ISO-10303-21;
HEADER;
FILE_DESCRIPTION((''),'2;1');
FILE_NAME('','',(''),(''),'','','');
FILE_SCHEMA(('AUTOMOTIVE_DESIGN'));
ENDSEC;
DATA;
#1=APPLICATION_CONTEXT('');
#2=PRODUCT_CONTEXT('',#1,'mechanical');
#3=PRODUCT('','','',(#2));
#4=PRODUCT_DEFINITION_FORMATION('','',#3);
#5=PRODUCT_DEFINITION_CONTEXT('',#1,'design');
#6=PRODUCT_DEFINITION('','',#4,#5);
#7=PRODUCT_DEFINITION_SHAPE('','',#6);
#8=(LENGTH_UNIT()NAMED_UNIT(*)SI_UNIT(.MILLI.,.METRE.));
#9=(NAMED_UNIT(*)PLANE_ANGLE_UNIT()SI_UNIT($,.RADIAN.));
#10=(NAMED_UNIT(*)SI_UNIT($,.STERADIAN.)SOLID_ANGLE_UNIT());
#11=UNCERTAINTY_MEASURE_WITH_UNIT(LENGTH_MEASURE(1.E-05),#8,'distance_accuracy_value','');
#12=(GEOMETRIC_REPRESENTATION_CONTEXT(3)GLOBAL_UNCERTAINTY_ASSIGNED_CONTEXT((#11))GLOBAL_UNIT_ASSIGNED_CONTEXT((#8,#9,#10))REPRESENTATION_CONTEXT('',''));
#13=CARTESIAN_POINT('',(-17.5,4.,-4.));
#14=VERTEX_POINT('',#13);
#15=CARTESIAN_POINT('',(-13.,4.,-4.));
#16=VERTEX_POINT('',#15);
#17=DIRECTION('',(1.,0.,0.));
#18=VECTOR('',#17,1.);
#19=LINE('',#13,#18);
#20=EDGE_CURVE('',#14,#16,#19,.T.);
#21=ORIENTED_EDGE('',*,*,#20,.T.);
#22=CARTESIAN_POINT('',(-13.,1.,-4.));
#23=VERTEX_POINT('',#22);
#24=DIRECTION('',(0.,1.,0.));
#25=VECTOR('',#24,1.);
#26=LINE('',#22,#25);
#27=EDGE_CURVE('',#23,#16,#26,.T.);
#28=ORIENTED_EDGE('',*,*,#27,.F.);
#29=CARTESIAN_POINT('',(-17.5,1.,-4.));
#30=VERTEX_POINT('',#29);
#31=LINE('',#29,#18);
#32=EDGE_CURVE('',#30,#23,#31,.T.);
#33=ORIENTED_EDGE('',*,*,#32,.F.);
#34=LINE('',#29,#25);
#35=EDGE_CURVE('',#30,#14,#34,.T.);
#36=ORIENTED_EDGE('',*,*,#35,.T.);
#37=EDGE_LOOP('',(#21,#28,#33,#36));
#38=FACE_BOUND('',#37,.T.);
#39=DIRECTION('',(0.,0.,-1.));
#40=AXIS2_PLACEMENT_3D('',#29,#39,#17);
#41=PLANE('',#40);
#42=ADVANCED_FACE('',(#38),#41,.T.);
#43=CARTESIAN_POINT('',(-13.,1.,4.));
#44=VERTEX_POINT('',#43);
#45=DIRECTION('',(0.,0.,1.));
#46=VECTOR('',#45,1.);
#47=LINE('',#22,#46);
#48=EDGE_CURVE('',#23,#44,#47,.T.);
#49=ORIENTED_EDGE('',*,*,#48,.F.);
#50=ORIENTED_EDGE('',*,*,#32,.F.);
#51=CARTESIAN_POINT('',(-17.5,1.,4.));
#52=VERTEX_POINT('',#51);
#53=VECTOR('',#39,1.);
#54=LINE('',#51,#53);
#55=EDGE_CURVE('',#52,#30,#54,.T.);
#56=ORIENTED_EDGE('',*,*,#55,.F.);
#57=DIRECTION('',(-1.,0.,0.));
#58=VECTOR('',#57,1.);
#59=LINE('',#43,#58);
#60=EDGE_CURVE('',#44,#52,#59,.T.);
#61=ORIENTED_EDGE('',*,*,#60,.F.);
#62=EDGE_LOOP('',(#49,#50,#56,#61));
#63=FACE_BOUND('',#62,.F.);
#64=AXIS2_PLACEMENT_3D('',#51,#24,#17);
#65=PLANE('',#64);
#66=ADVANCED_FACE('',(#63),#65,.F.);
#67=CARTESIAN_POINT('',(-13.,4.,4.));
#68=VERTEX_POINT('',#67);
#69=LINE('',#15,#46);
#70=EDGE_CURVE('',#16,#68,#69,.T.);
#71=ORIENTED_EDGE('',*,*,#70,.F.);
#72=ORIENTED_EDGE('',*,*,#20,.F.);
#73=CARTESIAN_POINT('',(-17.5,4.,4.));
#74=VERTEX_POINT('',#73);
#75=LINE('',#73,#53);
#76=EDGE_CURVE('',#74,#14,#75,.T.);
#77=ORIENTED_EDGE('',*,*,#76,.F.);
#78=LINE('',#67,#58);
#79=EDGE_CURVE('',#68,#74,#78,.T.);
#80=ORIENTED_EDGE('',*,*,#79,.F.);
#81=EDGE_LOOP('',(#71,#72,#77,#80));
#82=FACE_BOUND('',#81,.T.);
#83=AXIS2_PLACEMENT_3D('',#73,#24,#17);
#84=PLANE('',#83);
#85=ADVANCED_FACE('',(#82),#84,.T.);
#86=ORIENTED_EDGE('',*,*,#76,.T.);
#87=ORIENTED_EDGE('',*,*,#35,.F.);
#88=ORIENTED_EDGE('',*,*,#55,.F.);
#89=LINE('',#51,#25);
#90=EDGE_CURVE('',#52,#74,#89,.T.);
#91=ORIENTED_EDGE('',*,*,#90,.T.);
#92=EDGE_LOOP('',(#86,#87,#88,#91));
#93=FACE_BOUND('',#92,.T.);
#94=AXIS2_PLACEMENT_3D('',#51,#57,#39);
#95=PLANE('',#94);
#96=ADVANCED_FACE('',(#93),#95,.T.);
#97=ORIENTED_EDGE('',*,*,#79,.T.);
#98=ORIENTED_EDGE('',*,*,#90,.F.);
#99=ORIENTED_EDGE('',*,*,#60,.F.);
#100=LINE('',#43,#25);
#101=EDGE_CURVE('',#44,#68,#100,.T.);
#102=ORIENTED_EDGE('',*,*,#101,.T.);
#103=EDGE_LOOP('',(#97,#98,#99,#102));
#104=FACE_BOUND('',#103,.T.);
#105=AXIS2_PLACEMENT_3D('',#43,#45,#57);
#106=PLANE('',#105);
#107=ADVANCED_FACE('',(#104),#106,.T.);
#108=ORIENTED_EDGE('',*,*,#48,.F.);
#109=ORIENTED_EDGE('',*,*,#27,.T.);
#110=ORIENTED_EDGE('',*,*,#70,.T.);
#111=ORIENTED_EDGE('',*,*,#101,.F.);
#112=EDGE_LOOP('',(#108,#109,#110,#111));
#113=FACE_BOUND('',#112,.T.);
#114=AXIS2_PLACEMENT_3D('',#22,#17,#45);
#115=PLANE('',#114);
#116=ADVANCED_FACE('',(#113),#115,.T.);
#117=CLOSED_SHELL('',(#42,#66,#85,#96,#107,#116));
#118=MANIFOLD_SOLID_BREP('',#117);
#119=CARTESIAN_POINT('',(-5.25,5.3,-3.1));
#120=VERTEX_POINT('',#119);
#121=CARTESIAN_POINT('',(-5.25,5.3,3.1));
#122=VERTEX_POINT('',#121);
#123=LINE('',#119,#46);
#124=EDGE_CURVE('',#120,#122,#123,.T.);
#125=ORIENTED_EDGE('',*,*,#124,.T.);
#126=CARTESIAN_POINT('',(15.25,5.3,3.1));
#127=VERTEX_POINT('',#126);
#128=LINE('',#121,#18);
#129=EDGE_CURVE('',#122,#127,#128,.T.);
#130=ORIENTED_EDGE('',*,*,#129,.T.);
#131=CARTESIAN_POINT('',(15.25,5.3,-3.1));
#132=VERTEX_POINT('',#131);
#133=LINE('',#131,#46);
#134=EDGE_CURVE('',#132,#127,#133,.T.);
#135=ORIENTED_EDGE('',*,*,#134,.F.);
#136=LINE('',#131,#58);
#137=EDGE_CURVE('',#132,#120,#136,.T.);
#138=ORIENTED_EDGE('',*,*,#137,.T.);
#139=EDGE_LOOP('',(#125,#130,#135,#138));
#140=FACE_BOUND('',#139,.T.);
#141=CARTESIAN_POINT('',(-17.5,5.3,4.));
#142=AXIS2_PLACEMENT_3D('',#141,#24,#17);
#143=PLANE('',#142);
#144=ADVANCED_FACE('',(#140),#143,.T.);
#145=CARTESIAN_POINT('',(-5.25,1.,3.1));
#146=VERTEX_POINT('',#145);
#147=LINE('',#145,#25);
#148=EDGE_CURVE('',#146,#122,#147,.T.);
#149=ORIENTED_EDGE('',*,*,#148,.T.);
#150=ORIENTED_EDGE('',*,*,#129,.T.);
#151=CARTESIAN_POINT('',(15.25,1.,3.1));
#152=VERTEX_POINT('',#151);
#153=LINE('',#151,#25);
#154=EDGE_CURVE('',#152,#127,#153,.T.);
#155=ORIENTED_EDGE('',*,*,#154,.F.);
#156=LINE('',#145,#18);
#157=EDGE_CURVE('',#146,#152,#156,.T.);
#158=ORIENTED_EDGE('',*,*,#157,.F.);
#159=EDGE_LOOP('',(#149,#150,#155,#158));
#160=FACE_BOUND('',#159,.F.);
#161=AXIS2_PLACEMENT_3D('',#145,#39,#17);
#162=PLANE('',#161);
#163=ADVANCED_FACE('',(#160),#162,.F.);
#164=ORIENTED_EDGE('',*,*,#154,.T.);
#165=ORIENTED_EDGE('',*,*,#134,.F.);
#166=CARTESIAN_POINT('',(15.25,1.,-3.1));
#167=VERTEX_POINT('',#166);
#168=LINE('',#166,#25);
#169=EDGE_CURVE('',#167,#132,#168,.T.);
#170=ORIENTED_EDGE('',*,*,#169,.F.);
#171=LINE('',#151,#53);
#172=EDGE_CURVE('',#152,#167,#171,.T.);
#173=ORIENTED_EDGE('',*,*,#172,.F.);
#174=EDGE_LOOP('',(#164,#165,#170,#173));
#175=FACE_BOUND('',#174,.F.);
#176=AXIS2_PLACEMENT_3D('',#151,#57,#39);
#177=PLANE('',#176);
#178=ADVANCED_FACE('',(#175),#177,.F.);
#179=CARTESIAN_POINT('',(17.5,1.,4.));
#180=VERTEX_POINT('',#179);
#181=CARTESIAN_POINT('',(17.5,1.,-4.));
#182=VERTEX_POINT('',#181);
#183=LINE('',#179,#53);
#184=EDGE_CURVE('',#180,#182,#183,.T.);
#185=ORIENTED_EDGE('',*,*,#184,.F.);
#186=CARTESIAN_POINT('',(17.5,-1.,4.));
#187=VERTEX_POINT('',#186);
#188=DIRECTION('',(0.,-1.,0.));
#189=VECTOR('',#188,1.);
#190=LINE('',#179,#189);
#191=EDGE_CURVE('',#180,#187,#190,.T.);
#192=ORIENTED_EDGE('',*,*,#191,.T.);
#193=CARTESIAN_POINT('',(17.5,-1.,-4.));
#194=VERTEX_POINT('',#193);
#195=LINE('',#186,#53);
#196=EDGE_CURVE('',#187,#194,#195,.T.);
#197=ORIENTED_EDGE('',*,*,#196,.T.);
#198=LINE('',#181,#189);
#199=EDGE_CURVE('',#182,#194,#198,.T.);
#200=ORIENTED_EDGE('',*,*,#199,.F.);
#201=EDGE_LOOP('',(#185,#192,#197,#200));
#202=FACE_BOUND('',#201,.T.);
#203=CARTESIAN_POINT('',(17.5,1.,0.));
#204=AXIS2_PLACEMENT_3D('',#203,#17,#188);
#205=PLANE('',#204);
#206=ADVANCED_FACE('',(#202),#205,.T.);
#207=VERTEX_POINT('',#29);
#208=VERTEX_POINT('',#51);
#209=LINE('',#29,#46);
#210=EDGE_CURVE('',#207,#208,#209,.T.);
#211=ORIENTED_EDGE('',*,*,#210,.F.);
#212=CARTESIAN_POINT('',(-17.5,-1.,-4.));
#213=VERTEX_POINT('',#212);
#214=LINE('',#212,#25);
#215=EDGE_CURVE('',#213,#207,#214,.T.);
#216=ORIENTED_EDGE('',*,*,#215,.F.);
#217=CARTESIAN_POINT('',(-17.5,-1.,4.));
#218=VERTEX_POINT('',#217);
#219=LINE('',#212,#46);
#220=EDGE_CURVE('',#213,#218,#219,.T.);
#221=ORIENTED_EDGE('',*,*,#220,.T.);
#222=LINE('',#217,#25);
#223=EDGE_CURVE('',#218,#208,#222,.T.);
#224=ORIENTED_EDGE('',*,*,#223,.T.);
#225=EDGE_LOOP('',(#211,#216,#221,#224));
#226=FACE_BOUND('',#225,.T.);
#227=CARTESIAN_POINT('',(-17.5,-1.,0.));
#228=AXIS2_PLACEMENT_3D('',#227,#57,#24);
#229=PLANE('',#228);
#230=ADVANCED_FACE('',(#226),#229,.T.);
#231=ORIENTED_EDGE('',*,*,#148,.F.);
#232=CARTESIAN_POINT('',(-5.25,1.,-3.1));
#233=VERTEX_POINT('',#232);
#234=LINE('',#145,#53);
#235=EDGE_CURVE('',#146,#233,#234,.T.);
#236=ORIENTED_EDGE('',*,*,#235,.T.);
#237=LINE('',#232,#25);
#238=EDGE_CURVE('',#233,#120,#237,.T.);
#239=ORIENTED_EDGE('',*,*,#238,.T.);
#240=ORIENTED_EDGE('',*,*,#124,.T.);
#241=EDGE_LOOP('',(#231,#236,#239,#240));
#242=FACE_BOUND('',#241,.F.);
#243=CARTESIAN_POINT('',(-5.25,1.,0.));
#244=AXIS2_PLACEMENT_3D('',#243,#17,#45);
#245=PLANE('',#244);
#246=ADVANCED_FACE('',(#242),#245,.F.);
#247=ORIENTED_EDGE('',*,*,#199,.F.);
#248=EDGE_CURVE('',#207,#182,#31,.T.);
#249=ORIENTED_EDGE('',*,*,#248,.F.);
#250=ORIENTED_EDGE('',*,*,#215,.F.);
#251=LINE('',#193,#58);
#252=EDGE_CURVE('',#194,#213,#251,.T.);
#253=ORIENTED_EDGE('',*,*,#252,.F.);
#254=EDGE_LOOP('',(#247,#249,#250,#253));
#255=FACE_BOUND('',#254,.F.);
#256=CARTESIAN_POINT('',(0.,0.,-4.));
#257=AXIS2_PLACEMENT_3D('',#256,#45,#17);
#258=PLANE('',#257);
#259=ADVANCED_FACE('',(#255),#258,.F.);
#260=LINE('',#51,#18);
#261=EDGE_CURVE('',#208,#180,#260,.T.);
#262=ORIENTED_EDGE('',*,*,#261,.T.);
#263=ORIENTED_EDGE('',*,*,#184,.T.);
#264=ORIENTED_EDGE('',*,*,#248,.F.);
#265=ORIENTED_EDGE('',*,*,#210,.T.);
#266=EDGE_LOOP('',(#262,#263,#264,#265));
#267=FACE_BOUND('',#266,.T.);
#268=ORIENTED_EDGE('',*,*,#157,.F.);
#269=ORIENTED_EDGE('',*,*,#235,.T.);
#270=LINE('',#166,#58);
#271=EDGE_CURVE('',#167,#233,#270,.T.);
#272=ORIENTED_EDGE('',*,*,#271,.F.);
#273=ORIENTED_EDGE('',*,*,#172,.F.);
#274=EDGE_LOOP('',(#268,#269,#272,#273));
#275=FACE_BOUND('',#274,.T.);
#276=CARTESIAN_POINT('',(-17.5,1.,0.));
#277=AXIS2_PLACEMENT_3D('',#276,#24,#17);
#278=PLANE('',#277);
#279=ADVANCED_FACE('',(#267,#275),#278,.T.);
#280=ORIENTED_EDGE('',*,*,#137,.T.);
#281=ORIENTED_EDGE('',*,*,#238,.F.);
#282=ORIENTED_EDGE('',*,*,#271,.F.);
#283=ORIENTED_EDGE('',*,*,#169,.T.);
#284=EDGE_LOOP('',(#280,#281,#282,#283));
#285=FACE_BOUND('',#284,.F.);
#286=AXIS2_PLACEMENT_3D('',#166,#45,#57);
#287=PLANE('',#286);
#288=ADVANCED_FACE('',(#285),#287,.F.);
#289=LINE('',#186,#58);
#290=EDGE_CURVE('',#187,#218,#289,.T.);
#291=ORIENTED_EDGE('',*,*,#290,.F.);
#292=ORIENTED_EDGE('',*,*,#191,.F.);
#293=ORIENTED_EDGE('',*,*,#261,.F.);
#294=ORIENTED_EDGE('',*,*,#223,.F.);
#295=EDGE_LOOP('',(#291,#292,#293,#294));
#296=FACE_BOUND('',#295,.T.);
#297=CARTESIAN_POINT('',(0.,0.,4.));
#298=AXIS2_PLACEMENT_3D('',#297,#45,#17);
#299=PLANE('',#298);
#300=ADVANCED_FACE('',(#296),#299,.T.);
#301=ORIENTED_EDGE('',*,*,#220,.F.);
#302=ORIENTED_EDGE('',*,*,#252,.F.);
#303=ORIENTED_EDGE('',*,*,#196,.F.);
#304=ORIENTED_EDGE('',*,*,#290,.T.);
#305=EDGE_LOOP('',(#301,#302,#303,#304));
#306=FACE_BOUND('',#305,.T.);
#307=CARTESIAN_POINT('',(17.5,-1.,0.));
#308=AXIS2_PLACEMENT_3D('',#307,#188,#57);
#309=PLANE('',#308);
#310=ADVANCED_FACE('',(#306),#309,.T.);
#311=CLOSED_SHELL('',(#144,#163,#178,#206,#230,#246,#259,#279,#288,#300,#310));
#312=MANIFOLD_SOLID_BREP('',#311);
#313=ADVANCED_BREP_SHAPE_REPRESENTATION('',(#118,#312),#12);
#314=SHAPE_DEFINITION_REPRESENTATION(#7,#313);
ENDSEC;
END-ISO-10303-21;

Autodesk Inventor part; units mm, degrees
ref_plane "YZ Plane" through (0, 0, 0) normal (1, 0, 0) x (0, 1, 0)
ref_plane "XZ Plane" through (0, 0, 0) normal (0, 1, 0) x (-1, 0, 0)
ref_plane "XY Plane" through (0, 0, 0) normal (0, 0, 1) x (1, 0, 0)
sketch "Sketch4" plane through (0, 0, 0) normal (0, 0, 1) x (1, 0, 0)
  line L0 (-17.5, 1) -> (17.5, 1)
  line L1 (17.5, 1) -> (17.5, -1)
  line L2 (17.5, -1) -> (-17.5, -1)
  line L3 (-17.5, -1) -> (-17.5, 1)
  line L4 (-17.5, 1) -> (17.5, -1) construction
  line L5 (17.5, 1) -> (-17.5, -1) construction
  point P0 (0, 0)
  dimension "d4" = 35
  dimension "d5" = 2
extrude "Extrusion2" add sketch "Sketch4" along normal mid plane 8
sketch "Sketch5" plane through (-17.5, 1, 4) normal (0, 1, 0) x (1, 0, 0)
  line L0 (35, 8) -> (35, 0) projected
  line L1 (35, 4) -> (32.75, 4)
  line L2 (32.75, 4) -> (12.25, 4)
  line L3 (12.25, 0.9) -> (32.75, 0.9)
  line L4 (32.75, 0.9) -> (32.75, 7.1)
  line L5 (32.75, 7.1) -> (12.25, 7.1)
  line L6 (12.25, 7.1) -> (12.25, 0.9)
  line L7 (12.25, 0.9) -> (32.75, 7.1) construction
  line L8 (32.75, 0.9) -> (12.25, 7.1) construction
  point P0 (17.5, 4)
  point P1 (22.5, 4)
  dimension "d8" = 2.25
  dimension "d9" = 20.5
  dimension "d10" = 20.5
  dimension "d11" = 6.2
extrude "Extrusion3" add sketch "Sketch5" along normal blind 4.3
sketch "Sketch6" plane through (-17.5, 1, 4) normal (0, 1, 0) x (1, 0, 0)
  line L0 (0, 8) -> (35, 8) projected
  line L1 (0, 8) -> (4.5, 8)
  line L2 (4.5, 8) -> (4.5, 0)
  line L3 (4.5, 0) -> (0, 0)
  line L4 (0, 0) -> (0, 8)
  point P0 (17.5, 4)
  dimension "d14" = 4.5
extrude "Extrusion4" add sketch "Sketch6" along normal blind 3 separate body
properties part number "GPS"
